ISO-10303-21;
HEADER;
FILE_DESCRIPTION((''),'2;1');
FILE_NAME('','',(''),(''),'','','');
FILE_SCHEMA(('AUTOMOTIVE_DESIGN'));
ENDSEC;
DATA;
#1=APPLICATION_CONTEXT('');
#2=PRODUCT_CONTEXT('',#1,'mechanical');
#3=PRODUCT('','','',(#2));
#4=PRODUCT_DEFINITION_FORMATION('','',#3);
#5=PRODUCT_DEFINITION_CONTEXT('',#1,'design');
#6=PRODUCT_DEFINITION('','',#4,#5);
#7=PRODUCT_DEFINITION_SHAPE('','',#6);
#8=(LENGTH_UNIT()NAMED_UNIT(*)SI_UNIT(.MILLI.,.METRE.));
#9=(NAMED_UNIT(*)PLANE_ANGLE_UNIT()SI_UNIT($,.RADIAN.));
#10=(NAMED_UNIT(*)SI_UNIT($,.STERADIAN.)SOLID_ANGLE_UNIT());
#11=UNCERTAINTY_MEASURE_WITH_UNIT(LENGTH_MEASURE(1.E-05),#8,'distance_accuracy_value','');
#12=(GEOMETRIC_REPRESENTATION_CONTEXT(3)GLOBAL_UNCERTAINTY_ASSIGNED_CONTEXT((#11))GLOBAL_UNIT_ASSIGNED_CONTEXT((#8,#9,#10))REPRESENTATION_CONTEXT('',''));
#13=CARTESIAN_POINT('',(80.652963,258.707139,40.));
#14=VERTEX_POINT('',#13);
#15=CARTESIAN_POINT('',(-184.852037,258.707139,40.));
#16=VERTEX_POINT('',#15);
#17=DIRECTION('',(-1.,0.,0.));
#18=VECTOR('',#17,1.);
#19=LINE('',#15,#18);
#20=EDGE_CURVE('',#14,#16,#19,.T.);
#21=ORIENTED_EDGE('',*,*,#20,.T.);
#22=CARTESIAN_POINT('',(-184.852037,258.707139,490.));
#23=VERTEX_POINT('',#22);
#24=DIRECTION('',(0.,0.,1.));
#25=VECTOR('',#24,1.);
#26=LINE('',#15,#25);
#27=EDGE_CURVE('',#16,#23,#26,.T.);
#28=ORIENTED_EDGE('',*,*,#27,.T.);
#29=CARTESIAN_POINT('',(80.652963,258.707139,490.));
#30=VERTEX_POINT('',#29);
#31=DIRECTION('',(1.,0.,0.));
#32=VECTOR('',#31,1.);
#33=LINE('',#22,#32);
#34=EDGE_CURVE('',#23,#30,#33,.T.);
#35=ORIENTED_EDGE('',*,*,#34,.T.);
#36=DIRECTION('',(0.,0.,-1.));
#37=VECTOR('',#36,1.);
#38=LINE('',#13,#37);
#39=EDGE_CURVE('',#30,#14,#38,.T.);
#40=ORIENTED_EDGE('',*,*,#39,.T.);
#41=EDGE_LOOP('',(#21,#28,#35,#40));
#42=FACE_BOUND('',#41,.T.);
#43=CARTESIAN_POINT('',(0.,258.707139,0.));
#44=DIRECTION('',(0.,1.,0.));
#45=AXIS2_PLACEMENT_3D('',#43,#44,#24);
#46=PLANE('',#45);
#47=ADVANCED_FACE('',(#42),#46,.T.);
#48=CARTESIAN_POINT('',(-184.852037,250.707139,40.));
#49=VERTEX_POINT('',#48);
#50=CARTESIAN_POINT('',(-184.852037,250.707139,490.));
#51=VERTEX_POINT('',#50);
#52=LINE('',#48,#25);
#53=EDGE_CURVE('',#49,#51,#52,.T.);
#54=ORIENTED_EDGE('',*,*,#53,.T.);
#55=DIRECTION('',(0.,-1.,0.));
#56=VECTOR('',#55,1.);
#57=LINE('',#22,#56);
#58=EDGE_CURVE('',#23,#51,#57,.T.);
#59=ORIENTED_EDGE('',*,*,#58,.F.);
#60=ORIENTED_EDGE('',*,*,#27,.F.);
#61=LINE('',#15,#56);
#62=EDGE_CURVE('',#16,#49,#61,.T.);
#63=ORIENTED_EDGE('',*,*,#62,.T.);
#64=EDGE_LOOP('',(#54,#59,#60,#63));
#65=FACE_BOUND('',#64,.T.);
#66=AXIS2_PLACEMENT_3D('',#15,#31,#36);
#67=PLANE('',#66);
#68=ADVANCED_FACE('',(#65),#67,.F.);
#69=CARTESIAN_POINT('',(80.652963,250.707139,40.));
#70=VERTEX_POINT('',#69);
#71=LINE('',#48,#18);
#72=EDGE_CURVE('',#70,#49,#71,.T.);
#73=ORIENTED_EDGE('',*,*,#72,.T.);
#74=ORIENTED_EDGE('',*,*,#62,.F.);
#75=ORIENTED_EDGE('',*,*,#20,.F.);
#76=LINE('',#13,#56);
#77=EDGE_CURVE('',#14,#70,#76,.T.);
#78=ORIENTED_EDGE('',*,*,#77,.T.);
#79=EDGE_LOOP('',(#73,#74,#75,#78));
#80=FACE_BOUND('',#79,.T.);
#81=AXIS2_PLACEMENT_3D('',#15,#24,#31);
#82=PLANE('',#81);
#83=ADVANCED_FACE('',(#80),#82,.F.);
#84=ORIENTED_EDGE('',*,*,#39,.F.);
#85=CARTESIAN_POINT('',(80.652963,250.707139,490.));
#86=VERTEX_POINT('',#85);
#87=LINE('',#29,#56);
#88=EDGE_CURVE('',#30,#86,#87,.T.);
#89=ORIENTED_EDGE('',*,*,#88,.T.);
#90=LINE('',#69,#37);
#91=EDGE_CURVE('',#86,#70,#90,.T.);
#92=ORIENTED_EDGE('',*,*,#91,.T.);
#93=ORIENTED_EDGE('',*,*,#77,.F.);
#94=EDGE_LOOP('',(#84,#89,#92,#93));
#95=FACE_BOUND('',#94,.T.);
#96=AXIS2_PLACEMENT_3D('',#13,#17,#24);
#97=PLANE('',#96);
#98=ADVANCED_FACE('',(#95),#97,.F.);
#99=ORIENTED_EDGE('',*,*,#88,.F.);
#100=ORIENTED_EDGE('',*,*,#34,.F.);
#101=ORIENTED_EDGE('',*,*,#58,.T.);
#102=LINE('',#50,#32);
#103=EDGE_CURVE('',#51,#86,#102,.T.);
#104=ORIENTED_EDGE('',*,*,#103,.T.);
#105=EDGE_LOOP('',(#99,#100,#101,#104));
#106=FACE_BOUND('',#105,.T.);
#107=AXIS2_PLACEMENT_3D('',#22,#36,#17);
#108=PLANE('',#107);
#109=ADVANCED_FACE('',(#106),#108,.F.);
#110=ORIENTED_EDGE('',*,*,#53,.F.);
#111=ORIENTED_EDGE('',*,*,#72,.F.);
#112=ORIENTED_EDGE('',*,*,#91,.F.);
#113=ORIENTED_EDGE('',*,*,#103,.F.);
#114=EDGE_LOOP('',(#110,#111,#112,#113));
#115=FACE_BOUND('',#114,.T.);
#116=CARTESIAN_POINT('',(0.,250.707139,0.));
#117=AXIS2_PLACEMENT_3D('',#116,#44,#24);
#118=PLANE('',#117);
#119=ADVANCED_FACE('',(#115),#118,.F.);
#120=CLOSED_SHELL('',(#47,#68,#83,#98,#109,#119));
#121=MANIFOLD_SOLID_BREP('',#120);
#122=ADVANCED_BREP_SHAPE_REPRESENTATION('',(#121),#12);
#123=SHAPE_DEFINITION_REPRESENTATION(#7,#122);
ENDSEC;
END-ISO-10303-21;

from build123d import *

# Parameters (mm, degrees)
CROQUIS1_W              = 265.505
CROQUIS1_H              = 450
SALIENTE_EXTRUIR1_DEPTH = 4


with BuildPart() as part:
    # Croquis1 → Saliente-Extruir1 (new, symmetric)
    with BuildSketch(Plane(origin=(0, 254.707138557, 0), x_dir=(1, 0, 0), z_dir=(0, 1, 0))):
        with Locations((-52.099536721, -265)):
            Rectangle(CROQUIS1_W, CROQUIS1_H)
    extrude(amount=SALIENTE_EXTRUIR1_DEPTH, both=True)


solid = part.part
